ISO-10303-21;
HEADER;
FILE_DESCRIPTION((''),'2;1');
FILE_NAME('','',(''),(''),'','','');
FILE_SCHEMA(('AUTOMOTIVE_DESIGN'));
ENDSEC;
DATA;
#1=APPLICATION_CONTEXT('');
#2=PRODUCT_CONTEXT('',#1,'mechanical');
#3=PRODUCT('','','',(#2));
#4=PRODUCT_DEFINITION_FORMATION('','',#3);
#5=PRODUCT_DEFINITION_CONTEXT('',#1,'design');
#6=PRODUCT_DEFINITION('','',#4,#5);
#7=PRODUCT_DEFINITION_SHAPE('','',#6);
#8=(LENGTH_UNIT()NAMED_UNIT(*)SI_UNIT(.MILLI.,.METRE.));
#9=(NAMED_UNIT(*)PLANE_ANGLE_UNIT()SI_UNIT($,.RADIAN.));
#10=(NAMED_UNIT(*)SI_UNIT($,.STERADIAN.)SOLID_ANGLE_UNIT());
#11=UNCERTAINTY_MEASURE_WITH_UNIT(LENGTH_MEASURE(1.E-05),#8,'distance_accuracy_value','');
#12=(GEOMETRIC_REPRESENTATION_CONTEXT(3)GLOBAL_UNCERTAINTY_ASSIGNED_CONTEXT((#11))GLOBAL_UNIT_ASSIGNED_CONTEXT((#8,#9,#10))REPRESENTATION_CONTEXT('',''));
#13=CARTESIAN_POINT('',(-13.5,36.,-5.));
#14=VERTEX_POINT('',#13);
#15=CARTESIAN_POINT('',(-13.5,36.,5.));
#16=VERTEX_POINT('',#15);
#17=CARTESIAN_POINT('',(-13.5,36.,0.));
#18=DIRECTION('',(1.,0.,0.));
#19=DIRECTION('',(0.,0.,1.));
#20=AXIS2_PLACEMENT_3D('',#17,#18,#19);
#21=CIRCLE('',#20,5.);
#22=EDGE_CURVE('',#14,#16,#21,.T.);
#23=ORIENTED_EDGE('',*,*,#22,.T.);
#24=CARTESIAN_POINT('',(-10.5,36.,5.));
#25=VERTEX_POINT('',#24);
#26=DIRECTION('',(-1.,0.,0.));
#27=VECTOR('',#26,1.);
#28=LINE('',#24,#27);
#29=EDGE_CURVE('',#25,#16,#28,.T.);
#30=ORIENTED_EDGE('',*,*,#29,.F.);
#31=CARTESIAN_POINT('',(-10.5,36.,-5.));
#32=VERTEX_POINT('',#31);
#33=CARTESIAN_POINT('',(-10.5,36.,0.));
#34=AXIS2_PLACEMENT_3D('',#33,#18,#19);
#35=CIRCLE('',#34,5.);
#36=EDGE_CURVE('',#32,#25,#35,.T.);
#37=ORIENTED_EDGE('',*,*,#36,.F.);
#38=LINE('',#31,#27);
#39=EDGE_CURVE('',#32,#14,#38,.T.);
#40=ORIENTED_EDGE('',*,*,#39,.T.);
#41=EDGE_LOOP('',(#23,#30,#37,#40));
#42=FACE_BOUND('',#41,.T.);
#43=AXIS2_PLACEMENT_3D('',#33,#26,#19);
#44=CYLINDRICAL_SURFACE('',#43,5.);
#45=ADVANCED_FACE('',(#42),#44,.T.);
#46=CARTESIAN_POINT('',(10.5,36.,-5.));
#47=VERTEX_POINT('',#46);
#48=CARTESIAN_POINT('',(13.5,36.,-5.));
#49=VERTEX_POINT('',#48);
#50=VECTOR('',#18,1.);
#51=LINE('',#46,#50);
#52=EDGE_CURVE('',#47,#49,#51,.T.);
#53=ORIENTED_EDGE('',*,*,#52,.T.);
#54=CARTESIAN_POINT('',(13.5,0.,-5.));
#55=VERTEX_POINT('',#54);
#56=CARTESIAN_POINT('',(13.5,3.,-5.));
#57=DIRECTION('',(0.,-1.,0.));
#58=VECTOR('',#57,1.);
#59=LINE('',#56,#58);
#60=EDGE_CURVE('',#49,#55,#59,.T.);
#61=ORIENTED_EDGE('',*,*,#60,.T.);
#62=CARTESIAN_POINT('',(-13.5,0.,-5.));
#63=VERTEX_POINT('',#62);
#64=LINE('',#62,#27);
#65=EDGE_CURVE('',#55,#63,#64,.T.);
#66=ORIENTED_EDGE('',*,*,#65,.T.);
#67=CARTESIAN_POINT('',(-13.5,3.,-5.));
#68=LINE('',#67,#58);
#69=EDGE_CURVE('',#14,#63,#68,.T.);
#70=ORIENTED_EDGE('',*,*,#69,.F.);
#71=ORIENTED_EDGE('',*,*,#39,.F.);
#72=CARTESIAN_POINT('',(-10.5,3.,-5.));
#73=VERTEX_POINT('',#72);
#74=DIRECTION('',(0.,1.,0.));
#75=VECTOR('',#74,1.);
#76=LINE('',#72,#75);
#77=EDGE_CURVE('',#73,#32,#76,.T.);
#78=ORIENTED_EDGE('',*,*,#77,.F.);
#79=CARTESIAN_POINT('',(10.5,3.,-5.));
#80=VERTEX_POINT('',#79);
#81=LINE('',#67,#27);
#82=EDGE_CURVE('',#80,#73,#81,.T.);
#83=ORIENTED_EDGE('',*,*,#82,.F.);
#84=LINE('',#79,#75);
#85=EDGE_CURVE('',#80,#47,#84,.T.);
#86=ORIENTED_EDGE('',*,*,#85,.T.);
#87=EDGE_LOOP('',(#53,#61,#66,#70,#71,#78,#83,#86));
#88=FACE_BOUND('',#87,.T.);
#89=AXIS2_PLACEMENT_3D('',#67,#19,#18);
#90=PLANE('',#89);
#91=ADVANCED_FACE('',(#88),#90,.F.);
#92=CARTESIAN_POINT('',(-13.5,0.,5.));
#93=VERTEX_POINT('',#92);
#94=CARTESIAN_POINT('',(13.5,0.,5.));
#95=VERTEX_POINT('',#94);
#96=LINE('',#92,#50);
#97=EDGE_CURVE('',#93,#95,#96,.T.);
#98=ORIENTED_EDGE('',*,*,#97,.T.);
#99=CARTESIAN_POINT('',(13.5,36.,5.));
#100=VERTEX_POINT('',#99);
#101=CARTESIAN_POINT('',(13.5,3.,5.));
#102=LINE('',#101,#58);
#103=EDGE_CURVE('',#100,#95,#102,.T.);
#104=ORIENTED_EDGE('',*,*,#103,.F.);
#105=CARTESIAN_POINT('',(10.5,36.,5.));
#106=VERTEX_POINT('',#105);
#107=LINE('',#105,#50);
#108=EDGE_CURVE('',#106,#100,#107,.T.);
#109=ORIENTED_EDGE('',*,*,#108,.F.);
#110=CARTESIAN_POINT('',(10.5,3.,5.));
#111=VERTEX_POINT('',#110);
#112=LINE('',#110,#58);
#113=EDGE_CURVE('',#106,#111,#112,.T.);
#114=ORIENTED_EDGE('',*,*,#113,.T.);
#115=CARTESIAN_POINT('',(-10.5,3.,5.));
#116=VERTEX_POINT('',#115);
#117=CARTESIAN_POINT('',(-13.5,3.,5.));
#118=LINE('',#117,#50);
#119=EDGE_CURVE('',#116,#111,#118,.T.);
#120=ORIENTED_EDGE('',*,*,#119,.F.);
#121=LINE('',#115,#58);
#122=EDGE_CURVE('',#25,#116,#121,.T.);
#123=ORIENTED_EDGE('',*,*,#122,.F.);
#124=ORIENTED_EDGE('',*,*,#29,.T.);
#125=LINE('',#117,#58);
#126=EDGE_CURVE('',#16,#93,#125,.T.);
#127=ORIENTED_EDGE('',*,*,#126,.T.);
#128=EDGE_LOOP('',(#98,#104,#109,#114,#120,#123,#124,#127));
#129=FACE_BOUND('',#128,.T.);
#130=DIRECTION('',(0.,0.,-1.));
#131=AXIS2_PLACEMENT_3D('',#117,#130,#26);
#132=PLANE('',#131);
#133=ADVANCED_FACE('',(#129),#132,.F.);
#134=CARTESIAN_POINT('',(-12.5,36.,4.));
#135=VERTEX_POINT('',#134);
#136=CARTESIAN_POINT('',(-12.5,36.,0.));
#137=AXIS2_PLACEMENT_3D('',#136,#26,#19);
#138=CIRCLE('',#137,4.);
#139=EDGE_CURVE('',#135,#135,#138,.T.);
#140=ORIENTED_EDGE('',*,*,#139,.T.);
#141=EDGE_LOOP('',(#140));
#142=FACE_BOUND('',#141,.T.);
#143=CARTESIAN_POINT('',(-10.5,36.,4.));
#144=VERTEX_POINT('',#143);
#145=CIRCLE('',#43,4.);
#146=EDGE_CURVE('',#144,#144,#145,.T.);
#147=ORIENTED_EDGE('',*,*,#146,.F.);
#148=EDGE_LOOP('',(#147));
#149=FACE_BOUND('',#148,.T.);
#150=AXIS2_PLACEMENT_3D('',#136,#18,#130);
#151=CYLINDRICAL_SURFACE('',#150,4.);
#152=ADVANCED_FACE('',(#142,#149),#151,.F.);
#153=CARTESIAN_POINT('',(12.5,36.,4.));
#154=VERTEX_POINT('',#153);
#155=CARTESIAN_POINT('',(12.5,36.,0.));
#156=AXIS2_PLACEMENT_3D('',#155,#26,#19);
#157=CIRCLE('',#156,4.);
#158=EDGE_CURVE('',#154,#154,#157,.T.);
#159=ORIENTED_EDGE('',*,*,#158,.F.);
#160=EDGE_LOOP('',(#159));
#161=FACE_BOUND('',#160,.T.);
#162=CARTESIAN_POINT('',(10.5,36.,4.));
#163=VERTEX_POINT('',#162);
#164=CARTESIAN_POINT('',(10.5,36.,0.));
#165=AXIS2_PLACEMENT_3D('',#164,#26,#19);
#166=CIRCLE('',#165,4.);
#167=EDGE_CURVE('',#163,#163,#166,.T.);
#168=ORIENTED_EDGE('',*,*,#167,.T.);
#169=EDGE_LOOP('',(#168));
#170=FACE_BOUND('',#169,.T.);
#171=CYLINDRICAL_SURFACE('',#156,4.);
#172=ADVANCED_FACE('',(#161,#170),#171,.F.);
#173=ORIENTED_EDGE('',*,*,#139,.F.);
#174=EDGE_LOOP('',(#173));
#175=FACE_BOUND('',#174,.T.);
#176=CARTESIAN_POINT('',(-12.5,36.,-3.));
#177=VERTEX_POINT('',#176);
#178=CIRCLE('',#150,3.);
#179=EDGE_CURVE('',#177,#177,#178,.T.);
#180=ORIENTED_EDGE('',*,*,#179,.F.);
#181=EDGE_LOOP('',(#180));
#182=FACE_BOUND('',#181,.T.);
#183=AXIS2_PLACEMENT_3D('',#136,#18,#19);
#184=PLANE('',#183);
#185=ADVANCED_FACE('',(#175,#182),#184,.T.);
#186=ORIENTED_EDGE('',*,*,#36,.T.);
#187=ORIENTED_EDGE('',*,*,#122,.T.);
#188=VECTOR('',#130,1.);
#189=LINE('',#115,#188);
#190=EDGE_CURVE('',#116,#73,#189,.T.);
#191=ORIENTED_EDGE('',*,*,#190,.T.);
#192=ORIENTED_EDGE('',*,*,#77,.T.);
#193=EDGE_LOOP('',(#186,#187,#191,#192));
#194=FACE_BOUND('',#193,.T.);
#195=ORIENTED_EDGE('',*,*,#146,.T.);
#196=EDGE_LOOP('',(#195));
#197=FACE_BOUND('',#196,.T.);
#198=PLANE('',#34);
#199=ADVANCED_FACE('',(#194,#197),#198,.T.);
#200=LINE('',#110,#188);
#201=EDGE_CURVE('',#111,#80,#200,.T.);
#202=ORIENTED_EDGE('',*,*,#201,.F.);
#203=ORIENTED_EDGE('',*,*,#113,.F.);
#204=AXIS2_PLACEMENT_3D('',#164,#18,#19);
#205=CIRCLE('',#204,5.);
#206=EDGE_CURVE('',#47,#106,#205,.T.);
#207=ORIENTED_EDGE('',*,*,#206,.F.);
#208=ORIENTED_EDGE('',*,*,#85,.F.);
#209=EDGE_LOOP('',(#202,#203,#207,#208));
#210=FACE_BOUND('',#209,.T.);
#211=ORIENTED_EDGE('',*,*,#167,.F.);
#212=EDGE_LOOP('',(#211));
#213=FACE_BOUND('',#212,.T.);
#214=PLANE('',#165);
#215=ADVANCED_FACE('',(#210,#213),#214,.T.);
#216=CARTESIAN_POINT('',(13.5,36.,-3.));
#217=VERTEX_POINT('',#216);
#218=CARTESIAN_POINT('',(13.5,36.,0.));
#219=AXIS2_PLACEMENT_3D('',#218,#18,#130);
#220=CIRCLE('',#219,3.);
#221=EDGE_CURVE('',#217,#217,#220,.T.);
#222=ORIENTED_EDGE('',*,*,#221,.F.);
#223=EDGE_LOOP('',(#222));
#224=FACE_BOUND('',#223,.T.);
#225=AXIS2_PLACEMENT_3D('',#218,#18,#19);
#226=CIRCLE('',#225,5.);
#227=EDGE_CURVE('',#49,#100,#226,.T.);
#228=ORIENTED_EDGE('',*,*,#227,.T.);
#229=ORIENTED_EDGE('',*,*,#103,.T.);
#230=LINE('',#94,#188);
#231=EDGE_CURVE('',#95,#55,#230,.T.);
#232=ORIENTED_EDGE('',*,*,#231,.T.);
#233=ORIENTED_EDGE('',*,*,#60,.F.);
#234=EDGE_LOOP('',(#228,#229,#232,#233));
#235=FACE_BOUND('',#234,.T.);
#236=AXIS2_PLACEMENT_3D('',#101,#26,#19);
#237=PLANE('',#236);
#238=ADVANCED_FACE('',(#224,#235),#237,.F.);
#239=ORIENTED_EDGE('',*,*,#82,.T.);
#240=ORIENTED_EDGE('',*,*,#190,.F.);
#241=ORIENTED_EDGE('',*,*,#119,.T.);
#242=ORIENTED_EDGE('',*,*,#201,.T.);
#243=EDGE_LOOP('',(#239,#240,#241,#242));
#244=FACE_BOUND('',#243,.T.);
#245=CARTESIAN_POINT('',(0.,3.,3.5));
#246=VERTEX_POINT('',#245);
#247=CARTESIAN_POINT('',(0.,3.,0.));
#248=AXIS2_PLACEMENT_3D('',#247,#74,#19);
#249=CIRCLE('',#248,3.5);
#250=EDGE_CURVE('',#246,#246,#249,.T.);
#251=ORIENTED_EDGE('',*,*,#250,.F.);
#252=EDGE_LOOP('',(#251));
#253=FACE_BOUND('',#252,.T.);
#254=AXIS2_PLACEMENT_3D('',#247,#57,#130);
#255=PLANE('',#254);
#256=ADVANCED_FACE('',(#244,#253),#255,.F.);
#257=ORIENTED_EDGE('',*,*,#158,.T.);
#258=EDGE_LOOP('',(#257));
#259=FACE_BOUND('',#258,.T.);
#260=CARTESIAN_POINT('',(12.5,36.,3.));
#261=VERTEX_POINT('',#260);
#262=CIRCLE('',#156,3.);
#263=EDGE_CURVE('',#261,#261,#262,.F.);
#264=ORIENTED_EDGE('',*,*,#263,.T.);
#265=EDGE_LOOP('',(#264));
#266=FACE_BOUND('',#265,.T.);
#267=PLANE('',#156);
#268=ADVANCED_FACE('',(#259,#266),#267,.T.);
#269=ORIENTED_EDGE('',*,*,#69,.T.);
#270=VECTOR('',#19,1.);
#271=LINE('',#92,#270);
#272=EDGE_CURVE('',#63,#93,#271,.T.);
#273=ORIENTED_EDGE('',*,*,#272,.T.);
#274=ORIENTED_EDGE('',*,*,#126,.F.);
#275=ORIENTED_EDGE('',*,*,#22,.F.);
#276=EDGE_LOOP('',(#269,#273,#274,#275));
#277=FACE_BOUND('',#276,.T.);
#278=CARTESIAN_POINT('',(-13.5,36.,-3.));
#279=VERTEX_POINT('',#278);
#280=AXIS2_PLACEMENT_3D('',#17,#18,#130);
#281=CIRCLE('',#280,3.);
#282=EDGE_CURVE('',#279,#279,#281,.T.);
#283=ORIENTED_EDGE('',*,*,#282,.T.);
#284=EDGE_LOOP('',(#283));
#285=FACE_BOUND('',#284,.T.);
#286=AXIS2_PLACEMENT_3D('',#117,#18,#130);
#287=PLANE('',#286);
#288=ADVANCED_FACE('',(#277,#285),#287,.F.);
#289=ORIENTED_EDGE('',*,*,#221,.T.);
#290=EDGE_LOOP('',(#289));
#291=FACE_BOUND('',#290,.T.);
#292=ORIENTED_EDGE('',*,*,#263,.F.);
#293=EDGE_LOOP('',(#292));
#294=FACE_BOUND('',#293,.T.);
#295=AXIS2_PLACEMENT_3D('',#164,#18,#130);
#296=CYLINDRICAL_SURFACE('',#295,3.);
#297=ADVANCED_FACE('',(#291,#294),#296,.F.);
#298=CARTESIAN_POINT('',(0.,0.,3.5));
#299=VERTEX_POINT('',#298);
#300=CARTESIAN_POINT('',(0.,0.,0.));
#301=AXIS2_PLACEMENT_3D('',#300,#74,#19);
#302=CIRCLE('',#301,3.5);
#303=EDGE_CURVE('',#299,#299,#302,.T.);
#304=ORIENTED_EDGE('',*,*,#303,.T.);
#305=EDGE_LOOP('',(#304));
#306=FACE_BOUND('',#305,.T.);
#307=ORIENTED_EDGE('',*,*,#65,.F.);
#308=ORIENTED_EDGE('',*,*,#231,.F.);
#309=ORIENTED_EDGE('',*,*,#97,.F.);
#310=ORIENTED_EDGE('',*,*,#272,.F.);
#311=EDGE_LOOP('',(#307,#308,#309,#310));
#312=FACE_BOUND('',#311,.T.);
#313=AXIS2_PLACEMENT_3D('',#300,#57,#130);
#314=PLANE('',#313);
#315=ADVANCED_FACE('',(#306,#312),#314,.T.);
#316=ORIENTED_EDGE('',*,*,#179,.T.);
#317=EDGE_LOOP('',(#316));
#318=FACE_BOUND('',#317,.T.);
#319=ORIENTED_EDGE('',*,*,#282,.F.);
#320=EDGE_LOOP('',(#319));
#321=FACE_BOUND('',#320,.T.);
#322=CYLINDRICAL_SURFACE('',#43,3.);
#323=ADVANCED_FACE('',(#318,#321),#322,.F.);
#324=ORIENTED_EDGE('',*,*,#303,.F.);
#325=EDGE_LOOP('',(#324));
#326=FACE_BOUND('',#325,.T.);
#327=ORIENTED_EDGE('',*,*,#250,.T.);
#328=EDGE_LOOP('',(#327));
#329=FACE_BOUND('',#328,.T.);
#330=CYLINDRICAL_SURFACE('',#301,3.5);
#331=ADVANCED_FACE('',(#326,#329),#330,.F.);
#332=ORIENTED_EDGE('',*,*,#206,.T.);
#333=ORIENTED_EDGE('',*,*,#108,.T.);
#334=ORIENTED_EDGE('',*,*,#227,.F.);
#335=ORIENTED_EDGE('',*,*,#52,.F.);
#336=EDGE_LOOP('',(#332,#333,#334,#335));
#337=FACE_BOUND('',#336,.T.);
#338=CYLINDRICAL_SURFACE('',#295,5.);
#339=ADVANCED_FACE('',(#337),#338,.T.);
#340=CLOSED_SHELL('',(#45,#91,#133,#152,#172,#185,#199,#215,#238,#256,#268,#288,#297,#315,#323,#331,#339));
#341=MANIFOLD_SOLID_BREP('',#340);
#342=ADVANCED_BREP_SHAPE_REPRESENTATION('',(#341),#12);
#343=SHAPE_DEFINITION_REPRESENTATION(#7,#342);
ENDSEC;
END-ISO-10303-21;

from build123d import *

# Parameters (mm, degrees)
SKETCH1_W           = 27
SKETCH1_H           = 10
BOSS_EXTRUDE1_DEPTH = 3
SKETCH5_R           = 3
BOSS_EXTRUDE3_DEPTH = 3
SKETCH6_R           = 1.5
CUT_EXTRUDE1_DEPTH  = 3
SKETCH7_R           = 4
CUT_EXTRUDE2_DEPTH  = 2
SKETCH8_R           = 3.5
CUT_EXTRUDE4_DEPTH  = 41.635575547


with BuildPart() as part:
    # Sketch1 → Boss-Extrude1 (new body)
    with BuildSketch(Plane(origin=(0, 0, 0), x_dir=(1, 0, 0), z_dir=(0, 1, 0))):
        Rectangle(SKETCH1_W, SKETCH1_H)
    boss_extrude1 = extrude(amount=BOSS_EXTRUDE1_DEPTH)

    # Sketch5 → Boss-Extrude3 (add)
    with BuildSketch(Plane(origin=(13.5, 0, 0), x_dir=(0, 0, -1), z_dir=(1, 0, 0))):
        with BuildLine():
            Line((-5, 3), (5, 3))
            Line((5, 3), (5, 36))
            ThreePointArc((5, 36), (0, 41), (-5, 36))
            Line((-5, 36), (-5, 3))
        make_face()
        with Locations((0, 36)):
            Circle(SKETCH5_R, mode=Mode.SUBTRACT)
    boss_extrude3 = extrude(amount=-BOSS_EXTRUDE3_DEPTH)

    # Sketch6 → Cut-Extrude1 (cut)
    with BuildSketch(Plane(origin=(0, 3, 0), x_dir=(1, 0, 0), z_dir=(0, 1, 0))):
        with Locations(Location((0, 0, 0), (0, 0, 270))):
            Circle(SKETCH6_R)
    extrude(amount=-CUT_EXTRUDE1_DEPTH, mode=Mode.SUBTRACT)

    # Sketch7 → Cut-Extrude2 (cut)
    with BuildSketch(Plane.ZY.offset(-10.5)):
        with Locations((0, 36)):
            Circle(SKETCH7_R)
    cut_extrude2 = extrude(amount=-CUT_EXTRUDE2_DEPTH, mode=Mode.SUBTRACT)

    # Mirror3: Boss-Extrude1, Boss-Extrude3, Cut-Extrude2 across plane
    add(boss_extrude1.mirror(Plane(origin=(0, 0, 0), x_dir=(0, 0, 1), z_dir=(1, 0, 0))))
    add(boss_extrude3.mirror(Plane(origin=(0, 0, 0), x_dir=(0, 0, 1), z_dir=(1, 0, 0))))
    add(cut_extrude2.mirror(Plane(origin=(0, 0, 0), x_dir=(0, 0, 1), z_dir=(1, 0, 0))), mode=Mode.SUBTRACT)

    # Sketch8 → Cut-Extrude4 (cut, through all)
    with BuildSketch(Plane(origin=(0, 3, 0), x_dir=(1, 0, 0), z_dir=(0, 1, 0))):
        with Locations(Location((0, 0, 0), (0, 0, 270))):
            Circle(SKETCH8_R)
    extrude(amount=-CUT_EXTRUDE4_DEPTH, mode=Mode.SUBTRACT)


solid = part.part
